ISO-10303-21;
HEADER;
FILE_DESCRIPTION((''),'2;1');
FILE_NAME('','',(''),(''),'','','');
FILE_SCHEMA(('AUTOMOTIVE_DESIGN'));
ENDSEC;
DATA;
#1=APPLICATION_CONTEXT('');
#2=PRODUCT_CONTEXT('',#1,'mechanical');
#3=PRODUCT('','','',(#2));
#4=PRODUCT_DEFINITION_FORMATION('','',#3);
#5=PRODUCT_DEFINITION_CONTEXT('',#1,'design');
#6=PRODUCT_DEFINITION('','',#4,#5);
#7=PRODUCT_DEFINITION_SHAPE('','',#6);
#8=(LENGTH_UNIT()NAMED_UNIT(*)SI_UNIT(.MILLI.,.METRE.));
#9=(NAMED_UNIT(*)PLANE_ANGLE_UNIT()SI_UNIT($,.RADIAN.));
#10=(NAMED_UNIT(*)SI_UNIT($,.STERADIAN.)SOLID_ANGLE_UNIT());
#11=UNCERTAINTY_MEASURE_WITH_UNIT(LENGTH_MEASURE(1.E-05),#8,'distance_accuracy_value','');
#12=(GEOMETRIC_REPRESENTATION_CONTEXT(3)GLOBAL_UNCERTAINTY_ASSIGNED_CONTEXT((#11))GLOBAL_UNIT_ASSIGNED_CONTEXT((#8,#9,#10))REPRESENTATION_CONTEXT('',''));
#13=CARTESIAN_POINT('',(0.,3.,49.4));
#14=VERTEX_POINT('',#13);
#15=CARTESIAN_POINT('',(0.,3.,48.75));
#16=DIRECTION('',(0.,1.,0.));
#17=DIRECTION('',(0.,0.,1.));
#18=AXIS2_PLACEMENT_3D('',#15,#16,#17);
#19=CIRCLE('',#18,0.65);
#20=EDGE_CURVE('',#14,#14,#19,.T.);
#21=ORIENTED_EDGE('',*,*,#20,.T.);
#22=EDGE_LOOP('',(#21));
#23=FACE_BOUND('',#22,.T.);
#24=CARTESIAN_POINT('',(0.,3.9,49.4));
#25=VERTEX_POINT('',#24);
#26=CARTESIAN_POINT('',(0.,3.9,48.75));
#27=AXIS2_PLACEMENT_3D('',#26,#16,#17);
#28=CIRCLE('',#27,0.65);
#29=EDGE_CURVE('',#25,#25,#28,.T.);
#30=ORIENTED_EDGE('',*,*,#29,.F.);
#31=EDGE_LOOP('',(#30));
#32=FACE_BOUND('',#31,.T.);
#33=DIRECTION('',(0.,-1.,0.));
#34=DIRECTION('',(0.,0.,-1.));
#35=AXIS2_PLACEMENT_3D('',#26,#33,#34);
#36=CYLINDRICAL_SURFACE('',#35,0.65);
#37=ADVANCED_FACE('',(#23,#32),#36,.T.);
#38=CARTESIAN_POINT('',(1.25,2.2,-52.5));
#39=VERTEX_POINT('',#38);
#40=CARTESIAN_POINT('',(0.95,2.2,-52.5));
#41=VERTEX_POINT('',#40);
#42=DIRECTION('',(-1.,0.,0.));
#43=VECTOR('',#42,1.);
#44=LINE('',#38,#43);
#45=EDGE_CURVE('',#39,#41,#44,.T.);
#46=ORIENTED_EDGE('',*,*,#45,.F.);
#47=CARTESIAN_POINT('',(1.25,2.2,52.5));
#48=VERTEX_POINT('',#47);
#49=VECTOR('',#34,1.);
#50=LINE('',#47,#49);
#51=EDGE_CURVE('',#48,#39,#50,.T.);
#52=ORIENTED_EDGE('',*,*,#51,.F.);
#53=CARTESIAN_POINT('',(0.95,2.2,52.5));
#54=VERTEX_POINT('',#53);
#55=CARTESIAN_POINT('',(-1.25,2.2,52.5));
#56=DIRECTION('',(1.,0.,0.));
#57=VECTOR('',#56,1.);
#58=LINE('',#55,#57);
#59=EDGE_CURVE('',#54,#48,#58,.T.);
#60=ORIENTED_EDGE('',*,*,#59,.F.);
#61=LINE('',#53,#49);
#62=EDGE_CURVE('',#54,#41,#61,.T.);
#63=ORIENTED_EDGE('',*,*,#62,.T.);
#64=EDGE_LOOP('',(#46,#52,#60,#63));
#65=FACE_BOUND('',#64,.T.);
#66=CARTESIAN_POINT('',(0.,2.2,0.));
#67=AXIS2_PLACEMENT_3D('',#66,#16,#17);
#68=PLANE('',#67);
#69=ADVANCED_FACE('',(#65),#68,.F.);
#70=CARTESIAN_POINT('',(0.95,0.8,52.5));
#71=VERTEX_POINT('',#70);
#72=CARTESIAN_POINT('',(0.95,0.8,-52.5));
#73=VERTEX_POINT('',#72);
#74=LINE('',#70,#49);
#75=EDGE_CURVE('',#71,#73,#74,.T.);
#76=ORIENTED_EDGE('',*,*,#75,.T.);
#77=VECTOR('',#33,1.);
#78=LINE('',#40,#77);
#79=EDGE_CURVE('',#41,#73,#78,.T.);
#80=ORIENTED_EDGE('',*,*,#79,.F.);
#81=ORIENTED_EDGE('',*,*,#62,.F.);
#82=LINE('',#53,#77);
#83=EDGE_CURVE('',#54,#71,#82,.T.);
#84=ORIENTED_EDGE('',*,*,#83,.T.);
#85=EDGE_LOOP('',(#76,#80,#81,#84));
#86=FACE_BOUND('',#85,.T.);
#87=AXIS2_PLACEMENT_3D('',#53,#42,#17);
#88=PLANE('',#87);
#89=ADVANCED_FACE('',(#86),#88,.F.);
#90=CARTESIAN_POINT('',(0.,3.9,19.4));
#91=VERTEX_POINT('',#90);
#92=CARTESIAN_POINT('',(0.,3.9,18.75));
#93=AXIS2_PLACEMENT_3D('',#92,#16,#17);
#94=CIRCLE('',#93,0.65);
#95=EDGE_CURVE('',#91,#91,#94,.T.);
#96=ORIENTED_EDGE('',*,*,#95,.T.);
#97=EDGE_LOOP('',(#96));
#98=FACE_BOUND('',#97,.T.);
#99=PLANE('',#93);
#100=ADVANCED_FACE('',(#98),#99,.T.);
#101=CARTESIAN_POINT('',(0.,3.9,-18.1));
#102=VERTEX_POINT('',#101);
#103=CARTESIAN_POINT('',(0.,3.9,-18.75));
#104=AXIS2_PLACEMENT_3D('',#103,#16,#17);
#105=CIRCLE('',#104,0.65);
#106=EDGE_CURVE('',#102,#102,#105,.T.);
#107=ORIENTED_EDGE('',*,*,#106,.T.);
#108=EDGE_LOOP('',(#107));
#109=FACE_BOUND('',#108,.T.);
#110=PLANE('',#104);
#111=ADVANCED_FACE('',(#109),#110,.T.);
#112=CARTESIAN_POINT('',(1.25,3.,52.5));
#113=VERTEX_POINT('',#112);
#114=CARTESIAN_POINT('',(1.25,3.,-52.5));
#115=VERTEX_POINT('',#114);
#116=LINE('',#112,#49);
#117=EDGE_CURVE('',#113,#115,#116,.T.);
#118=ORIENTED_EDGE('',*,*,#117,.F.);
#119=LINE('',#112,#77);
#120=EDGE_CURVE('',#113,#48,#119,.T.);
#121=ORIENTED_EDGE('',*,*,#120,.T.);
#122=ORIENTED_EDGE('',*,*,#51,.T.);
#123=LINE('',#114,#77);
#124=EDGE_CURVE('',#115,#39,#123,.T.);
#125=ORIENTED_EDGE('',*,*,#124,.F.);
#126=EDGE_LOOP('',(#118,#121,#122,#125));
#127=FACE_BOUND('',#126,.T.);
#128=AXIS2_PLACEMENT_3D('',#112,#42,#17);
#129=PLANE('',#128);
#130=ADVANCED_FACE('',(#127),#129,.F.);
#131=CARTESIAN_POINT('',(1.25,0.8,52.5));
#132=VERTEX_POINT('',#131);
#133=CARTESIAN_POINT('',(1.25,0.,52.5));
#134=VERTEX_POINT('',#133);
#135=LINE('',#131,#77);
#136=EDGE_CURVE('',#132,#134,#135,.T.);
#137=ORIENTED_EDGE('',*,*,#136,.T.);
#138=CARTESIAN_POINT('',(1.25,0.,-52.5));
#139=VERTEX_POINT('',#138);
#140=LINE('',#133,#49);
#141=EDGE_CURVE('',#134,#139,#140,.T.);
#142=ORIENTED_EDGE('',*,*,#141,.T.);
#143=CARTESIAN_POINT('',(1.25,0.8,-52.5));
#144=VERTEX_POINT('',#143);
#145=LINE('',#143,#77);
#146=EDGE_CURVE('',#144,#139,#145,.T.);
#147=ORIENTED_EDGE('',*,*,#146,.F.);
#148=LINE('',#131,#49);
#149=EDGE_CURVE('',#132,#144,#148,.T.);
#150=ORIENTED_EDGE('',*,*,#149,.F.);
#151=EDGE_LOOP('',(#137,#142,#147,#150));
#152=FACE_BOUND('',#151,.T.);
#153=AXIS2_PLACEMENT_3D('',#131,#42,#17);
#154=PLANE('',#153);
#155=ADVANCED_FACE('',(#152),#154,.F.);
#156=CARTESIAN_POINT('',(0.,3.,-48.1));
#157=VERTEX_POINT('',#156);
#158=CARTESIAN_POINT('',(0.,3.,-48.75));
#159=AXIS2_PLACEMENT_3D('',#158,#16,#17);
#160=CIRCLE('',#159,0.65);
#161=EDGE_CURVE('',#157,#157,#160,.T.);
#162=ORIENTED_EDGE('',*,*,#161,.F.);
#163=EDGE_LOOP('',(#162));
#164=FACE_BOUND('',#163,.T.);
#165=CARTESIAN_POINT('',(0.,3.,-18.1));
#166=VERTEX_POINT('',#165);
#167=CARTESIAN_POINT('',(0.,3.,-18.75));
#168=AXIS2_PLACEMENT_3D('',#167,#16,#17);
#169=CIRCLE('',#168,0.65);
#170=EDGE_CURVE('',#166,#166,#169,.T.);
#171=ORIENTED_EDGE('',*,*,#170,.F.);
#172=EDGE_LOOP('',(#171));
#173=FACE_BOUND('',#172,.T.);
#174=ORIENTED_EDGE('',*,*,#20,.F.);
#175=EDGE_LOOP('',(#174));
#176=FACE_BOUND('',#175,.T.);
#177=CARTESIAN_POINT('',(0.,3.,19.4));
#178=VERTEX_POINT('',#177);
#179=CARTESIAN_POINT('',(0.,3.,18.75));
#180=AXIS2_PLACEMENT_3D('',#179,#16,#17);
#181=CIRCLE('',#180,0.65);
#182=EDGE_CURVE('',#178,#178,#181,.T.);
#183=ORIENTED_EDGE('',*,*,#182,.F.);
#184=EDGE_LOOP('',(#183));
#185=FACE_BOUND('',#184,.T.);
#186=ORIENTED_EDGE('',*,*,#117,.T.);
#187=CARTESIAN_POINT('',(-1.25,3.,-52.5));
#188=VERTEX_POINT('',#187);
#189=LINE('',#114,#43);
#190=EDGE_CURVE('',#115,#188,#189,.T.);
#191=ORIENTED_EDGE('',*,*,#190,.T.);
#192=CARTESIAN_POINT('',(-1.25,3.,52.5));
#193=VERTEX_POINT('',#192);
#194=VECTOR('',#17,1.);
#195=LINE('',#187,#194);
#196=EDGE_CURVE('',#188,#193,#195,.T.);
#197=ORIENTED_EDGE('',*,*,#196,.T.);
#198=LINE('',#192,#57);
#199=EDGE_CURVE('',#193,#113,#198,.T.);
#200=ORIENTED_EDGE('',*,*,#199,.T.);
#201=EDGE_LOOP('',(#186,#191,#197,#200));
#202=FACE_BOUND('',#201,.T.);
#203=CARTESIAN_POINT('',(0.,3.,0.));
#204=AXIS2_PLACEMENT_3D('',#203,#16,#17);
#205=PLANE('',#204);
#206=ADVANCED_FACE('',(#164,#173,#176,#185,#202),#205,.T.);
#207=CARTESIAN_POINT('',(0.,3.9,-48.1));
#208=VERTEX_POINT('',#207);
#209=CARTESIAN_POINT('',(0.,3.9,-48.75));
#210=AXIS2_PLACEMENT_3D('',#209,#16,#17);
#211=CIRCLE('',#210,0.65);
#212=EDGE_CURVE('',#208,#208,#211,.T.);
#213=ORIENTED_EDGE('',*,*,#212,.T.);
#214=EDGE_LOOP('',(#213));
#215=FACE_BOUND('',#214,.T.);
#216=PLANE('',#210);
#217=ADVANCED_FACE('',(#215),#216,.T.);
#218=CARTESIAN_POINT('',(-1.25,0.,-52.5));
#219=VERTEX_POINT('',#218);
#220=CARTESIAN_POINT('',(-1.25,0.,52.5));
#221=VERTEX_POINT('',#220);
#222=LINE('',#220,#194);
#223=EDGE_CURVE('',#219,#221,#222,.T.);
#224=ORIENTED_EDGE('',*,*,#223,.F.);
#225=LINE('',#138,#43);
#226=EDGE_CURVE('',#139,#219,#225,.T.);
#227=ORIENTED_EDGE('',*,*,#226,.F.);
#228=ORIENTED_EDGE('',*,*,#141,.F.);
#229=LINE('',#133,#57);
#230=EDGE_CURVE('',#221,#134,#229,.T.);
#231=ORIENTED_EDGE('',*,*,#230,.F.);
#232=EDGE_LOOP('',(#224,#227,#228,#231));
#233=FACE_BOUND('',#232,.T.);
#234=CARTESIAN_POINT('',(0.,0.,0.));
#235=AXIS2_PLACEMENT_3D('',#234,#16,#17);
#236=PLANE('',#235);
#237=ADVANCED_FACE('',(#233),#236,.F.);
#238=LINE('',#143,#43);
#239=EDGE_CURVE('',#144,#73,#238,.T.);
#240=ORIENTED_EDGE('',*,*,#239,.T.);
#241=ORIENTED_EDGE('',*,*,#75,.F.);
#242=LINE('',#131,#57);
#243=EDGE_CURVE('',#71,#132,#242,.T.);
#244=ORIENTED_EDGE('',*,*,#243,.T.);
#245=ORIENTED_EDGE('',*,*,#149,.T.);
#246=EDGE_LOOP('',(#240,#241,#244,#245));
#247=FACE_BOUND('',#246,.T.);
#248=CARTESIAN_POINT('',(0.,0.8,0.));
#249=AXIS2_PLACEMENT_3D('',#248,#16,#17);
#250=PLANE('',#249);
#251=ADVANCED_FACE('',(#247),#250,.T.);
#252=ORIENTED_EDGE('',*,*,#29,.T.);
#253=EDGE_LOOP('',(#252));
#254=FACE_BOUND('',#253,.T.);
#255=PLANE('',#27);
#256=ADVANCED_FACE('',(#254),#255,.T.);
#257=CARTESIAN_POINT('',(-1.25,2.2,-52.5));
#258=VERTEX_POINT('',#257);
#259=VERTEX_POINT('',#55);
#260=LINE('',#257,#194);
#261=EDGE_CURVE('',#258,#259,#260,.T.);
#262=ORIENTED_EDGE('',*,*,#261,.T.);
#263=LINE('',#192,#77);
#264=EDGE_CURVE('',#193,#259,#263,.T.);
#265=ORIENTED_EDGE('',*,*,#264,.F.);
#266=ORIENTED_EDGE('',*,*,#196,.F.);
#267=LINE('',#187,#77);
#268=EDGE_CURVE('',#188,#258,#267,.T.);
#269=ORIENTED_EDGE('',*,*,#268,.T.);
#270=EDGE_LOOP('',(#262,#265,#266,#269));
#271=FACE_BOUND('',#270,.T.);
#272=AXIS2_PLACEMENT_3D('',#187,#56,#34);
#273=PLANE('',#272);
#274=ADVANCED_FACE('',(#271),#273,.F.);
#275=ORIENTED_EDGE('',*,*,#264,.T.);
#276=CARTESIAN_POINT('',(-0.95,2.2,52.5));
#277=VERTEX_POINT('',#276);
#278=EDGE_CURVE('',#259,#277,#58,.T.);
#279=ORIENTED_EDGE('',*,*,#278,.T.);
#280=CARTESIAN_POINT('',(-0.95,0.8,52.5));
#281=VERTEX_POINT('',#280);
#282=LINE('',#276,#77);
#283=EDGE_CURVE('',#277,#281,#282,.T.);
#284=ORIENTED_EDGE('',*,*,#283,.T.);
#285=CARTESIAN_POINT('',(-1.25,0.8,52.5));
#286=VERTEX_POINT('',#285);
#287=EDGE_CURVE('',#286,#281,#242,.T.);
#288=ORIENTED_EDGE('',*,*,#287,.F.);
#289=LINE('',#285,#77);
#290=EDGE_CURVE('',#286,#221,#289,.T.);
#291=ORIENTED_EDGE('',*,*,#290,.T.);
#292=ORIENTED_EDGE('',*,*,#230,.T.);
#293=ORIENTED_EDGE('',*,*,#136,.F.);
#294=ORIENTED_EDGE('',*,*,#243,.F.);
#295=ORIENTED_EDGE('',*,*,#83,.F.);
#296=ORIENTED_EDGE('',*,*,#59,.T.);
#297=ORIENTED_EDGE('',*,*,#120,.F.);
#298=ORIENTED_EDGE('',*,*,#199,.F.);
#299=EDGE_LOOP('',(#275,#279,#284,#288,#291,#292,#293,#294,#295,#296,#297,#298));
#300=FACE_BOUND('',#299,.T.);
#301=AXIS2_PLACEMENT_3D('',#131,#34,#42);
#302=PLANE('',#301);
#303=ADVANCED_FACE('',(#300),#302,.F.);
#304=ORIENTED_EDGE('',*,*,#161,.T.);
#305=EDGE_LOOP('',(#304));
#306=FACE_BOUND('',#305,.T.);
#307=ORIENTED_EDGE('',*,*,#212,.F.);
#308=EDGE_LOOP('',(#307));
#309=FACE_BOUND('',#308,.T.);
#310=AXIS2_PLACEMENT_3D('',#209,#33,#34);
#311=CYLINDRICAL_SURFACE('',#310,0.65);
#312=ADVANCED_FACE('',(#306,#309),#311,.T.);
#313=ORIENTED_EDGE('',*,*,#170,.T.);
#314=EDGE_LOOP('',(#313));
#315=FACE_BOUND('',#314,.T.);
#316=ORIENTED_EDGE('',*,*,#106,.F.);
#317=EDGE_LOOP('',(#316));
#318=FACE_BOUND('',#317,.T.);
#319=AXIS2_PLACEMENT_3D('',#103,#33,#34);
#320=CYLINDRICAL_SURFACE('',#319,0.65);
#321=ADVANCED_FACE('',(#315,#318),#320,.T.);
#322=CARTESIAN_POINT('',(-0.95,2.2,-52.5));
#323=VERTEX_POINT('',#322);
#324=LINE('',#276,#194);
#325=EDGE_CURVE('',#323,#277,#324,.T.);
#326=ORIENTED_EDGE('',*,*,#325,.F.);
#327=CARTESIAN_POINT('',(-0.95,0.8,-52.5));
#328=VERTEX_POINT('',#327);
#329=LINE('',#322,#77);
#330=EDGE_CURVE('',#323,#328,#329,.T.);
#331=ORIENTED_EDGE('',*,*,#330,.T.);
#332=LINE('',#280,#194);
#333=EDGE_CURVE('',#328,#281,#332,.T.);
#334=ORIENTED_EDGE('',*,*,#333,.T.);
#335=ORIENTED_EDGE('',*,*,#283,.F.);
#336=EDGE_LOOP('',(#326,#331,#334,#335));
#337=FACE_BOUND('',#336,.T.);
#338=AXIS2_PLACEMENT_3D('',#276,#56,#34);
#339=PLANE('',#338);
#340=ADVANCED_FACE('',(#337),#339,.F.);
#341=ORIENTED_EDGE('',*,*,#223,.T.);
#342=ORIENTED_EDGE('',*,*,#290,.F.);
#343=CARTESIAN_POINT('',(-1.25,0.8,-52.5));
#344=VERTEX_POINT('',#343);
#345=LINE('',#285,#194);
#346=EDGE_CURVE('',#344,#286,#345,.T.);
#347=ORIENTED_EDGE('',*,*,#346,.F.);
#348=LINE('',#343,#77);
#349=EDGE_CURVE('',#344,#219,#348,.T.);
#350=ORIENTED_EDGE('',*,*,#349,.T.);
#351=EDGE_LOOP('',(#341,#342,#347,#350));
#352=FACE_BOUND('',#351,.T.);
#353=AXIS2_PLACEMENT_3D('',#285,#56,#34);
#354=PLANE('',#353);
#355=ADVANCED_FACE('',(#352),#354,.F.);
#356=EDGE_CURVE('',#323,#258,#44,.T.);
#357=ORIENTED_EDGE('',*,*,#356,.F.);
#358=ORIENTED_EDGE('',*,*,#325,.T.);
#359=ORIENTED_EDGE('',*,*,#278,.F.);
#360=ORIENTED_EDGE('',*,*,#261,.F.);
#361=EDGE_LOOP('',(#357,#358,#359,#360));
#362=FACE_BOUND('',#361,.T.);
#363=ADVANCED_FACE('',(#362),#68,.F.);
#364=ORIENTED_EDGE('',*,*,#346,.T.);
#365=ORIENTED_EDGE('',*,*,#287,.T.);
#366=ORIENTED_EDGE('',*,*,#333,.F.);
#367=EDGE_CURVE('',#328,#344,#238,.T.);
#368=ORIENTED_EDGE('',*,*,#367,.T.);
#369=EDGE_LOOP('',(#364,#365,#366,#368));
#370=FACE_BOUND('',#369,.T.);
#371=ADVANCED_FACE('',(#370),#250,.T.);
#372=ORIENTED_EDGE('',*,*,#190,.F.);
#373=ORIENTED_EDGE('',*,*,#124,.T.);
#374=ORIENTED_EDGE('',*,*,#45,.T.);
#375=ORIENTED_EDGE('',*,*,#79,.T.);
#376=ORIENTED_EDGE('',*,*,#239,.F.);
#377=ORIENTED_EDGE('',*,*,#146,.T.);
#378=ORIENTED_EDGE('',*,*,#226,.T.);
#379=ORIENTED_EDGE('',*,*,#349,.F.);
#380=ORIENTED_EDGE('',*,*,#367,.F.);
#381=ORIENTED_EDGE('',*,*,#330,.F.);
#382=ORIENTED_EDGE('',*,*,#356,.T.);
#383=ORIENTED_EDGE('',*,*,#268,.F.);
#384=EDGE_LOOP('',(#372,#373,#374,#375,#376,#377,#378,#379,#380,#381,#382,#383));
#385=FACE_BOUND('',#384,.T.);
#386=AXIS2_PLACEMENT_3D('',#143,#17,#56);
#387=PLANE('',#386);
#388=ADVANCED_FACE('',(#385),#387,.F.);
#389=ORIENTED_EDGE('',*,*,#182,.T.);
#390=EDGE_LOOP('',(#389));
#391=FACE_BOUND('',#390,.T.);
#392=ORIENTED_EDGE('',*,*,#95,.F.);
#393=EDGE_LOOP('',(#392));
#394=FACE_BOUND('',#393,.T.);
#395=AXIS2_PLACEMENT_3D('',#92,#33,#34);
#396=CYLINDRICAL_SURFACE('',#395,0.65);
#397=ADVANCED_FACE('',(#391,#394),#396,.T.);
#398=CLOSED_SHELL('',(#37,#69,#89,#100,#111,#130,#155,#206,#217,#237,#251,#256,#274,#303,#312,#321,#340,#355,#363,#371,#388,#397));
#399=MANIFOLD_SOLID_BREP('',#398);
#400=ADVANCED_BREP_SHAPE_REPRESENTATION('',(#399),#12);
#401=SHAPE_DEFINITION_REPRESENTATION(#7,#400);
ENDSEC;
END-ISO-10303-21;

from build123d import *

# Parameters (mm, degrees)
SKETCH1_W           = 2.5
SKETCH1_H           = 105
BOSS_EXTRUDE1_DEPTH = 0.8
SKETCH2_W           = 1.9
SKETCH2_H           = 105
BOSS_EXTRUDE2_DEPTH = 1.4
SKETCH3_W           = 2.5
SKETCH3_H           = 105
BOSS_EXTRUDE3_DEPTH = 0.8
SKETCH4_R           = 0.65
BOSS_EXTRUDE4_DEPTH = 0.9


with BuildPart() as part:
    # Sketch1 → Boss-Extrude1 (new body)
    with BuildSketch(Plane(origin=(0, 0, 0), x_dir=(1, 0, 0), z_dir=(0, 1, 0))):
        Rectangle(SKETCH1_W, SKETCH1_H)
    extrude(amount=BOSS_EXTRUDE1_DEPTH)

    # Sketch2 → Boss-Extrude2 (add)
    with BuildSketch(Plane(origin=(0, 0.8, 0), x_dir=(1, 0, 0), z_dir=(0, 1, 0))):
        Rectangle(SKETCH2_W, SKETCH2_H)
    extrude(amount=BOSS_EXTRUDE2_DEPTH)

    # Sketch3 → Boss-Extrude3 (add)
    with BuildSketch(Plane(origin=(0, 2.2, 0), x_dir=(1, 0, 0), z_dir=(0, 1, 0))):
        Rectangle(SKETCH3_W, SKETCH3_H)
    extrude(amount=BOSS_EXTRUDE3_DEPTH)

    # Sketch4 → Boss-Extrude4 (add)
    with BuildSketch(Plane(origin=(0, 3, 0), x_dir=(1, 0, 0), z_dir=(0, 1, 0))):
        with Locations(Location((0, 18.75, 0), (0, 0, 270))):
            Circle(SKETCH4_R)
        with Locations(Location((0, -18.75, 0), (0, 0, 270))):
            Circle(SKETCH4_R)
        with Locations(Location((0, 48.75, 0), (0, 0, 270))):
            Circle(SKETCH4_R)
        with Locations(Location((0, -48.75, 0), (0, 0, 270))):
            Circle(SKETCH4_R)
    extrude(amount=BOSS_EXTRUDE4_DEPTH)


solid = part.part
